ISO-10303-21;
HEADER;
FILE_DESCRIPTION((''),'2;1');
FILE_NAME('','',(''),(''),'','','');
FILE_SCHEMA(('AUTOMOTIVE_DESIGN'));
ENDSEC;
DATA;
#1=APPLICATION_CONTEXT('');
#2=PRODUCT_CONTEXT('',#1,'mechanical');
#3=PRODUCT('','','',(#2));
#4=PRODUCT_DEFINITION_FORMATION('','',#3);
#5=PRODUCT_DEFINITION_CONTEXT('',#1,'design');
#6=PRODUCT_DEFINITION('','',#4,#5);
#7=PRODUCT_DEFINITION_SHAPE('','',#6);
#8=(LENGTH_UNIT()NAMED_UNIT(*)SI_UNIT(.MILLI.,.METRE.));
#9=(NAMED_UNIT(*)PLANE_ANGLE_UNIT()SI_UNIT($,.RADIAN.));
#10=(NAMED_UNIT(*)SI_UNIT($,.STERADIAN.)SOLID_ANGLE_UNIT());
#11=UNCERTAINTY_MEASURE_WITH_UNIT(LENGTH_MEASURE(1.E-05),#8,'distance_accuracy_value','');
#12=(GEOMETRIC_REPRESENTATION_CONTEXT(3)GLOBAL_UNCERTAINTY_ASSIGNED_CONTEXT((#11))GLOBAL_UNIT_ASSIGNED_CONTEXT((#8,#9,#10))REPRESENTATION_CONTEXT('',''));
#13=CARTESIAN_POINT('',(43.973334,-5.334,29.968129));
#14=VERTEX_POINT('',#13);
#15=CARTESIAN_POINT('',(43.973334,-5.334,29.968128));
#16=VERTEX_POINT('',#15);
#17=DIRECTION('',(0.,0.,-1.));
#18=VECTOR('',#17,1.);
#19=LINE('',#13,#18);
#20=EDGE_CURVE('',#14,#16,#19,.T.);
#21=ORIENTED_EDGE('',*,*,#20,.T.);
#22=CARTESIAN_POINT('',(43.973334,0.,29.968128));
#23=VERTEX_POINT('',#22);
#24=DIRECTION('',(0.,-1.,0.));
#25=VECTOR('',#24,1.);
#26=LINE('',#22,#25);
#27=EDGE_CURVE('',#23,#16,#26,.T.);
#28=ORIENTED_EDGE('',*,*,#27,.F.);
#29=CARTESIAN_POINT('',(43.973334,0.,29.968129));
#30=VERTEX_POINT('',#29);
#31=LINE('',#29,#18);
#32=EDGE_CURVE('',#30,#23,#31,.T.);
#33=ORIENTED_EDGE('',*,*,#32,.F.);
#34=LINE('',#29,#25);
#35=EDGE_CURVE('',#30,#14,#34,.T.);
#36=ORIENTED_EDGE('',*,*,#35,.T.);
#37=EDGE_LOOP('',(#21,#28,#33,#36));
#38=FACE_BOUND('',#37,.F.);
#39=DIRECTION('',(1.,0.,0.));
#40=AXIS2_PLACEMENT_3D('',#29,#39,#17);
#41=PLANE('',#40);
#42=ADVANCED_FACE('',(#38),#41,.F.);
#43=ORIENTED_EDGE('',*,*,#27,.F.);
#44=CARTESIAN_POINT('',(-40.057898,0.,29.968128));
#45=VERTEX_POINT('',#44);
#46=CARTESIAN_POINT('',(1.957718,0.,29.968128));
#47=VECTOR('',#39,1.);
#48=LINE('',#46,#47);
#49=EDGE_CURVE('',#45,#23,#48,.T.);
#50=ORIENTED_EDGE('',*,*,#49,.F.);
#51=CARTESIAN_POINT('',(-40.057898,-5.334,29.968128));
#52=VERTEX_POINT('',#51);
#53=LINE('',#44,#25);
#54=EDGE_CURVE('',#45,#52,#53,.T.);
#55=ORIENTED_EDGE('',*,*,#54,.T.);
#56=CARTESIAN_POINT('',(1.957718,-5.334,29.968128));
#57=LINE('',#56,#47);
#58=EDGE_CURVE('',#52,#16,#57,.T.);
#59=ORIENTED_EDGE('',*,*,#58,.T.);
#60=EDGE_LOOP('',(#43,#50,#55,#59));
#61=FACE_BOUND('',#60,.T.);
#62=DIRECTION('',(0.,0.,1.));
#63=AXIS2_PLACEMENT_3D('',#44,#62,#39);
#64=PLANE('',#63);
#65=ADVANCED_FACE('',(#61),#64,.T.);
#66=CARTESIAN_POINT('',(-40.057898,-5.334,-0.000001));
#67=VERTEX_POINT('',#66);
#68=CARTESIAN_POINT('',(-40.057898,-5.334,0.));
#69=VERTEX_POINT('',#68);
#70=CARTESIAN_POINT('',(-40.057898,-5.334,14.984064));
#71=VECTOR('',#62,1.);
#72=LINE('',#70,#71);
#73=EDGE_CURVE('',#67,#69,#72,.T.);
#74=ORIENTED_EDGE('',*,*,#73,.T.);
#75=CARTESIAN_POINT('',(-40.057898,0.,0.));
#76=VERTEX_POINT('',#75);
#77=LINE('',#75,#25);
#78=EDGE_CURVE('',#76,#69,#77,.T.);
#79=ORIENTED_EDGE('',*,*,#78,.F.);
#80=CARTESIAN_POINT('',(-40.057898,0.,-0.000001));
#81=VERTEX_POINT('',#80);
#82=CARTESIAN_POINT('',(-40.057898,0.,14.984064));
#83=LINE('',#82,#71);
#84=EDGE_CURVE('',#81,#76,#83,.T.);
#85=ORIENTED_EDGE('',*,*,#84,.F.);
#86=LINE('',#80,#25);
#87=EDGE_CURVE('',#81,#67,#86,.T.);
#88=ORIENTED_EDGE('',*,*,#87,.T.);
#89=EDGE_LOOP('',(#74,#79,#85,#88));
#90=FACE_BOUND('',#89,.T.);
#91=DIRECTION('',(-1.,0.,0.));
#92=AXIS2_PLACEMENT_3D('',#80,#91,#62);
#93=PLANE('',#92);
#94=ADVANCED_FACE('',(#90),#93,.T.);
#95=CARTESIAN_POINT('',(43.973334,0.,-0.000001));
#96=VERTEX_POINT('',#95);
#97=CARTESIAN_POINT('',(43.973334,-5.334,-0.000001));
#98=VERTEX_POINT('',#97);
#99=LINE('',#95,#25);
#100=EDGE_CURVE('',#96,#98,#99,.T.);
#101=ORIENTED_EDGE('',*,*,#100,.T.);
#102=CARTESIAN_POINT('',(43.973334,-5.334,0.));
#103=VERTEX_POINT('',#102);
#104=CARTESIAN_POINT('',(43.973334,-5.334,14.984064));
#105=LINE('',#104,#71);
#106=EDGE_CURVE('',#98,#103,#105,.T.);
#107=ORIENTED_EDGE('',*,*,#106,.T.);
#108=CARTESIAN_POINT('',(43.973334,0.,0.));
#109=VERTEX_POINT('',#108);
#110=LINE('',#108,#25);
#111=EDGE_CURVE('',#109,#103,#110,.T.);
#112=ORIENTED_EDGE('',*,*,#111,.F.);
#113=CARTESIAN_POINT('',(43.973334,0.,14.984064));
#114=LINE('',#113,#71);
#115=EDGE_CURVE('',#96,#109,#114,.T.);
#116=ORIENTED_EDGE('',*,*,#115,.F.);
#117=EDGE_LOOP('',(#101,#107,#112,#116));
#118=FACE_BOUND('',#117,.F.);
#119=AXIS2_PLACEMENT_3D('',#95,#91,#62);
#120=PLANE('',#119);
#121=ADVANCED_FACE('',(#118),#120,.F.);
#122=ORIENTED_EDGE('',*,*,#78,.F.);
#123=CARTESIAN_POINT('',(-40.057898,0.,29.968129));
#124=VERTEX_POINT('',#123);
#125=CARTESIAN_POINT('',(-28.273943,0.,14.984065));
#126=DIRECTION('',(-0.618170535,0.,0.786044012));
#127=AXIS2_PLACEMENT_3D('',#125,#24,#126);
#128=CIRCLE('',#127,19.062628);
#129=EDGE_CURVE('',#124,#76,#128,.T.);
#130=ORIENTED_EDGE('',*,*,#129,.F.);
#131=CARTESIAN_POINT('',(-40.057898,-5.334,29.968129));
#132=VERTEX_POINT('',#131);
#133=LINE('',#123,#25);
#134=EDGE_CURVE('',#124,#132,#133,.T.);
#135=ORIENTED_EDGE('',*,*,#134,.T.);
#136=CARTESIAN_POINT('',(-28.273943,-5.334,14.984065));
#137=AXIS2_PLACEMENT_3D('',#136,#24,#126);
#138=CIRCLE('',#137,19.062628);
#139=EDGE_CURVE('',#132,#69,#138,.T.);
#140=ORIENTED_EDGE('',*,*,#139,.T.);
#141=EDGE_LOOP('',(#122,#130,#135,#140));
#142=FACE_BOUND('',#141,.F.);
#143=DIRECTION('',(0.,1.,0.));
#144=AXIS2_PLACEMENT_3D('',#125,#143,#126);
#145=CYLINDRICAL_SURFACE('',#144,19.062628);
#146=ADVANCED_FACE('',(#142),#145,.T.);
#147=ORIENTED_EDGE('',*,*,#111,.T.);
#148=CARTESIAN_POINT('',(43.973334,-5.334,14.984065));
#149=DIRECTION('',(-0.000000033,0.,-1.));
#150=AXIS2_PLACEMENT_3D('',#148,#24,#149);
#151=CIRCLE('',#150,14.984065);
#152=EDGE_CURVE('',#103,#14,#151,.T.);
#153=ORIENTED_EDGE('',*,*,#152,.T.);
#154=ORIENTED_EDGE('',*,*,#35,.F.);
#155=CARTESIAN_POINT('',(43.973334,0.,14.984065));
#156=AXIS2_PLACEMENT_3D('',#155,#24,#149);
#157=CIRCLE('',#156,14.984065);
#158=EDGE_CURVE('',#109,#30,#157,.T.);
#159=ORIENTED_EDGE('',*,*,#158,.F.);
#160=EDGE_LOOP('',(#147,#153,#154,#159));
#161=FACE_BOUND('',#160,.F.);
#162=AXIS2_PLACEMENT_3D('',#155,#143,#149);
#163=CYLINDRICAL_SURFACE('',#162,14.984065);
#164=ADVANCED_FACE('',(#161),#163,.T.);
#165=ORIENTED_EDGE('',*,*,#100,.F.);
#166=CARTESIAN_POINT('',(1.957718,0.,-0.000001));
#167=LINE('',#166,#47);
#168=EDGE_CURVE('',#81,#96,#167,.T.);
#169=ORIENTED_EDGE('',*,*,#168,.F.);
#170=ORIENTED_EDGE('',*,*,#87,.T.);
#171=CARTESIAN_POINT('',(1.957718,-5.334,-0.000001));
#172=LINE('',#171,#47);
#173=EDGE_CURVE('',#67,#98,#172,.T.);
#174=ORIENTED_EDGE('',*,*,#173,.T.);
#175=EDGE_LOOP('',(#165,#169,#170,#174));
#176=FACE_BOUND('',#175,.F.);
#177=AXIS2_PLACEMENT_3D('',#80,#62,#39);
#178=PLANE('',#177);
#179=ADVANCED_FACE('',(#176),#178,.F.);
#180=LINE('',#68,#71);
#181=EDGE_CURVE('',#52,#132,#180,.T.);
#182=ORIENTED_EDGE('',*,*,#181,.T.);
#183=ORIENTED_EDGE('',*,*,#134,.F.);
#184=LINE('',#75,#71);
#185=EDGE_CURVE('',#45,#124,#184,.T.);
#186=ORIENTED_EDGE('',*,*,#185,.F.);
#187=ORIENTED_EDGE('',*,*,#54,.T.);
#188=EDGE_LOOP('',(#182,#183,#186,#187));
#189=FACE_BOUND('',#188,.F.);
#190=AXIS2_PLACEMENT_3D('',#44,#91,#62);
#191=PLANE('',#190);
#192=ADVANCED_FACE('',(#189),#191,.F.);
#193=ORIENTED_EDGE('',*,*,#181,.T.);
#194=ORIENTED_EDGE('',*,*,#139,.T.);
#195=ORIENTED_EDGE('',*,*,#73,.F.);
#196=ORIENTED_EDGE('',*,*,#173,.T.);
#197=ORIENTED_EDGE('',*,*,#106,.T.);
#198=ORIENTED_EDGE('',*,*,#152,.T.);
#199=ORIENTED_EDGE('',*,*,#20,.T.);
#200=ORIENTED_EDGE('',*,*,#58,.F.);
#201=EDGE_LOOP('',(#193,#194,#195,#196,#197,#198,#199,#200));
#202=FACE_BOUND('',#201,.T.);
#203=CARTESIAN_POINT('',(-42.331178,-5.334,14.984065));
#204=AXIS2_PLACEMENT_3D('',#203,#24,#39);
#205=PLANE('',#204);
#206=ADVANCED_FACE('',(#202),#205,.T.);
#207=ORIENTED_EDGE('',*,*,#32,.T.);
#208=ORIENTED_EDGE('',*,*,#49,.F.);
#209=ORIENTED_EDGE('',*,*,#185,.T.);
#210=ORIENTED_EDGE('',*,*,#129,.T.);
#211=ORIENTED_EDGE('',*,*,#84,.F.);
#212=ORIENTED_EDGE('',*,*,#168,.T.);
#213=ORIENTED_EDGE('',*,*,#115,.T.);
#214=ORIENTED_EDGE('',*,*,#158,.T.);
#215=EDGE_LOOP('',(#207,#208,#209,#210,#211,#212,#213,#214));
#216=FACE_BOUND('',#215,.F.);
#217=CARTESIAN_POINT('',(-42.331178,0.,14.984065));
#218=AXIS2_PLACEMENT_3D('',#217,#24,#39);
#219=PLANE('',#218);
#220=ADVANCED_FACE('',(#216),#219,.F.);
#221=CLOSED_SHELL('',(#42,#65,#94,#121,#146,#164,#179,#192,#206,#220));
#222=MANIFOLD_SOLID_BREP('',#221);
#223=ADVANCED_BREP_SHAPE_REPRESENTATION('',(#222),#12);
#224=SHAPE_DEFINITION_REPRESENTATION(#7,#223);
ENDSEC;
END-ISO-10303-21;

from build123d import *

# Parameters (mm, degrees)
F0_W     = 84.031232
F0_H     = 29.968129
F1_DEPTH = 5.334


with BuildPart() as f1:
    # F0 (on Front) → F1 (new body)
    with BuildSketch(Plane.XZ):
        with BuildLine():
            ThreePointArc((-40.057898, 29.968129), (-47.336571, 14.984065), (-40.057898, 0))
            Line((-40.057898, 0), (-40.057898, 29.968129))
        make_face()
        with BuildLine():
            Line((43.973334, 29.968129), (43.973334, 0))
            ThreePointArc((43.973334, 0), (58.957399, 14.984065), (43.973334, 29.968129))
        make_face()
        with Locations((1.957718, 14.984064)):
            Rectangle(F0_W, F0_H)
    extrude(amount=F1_DEPTH)


solid = f1.part
